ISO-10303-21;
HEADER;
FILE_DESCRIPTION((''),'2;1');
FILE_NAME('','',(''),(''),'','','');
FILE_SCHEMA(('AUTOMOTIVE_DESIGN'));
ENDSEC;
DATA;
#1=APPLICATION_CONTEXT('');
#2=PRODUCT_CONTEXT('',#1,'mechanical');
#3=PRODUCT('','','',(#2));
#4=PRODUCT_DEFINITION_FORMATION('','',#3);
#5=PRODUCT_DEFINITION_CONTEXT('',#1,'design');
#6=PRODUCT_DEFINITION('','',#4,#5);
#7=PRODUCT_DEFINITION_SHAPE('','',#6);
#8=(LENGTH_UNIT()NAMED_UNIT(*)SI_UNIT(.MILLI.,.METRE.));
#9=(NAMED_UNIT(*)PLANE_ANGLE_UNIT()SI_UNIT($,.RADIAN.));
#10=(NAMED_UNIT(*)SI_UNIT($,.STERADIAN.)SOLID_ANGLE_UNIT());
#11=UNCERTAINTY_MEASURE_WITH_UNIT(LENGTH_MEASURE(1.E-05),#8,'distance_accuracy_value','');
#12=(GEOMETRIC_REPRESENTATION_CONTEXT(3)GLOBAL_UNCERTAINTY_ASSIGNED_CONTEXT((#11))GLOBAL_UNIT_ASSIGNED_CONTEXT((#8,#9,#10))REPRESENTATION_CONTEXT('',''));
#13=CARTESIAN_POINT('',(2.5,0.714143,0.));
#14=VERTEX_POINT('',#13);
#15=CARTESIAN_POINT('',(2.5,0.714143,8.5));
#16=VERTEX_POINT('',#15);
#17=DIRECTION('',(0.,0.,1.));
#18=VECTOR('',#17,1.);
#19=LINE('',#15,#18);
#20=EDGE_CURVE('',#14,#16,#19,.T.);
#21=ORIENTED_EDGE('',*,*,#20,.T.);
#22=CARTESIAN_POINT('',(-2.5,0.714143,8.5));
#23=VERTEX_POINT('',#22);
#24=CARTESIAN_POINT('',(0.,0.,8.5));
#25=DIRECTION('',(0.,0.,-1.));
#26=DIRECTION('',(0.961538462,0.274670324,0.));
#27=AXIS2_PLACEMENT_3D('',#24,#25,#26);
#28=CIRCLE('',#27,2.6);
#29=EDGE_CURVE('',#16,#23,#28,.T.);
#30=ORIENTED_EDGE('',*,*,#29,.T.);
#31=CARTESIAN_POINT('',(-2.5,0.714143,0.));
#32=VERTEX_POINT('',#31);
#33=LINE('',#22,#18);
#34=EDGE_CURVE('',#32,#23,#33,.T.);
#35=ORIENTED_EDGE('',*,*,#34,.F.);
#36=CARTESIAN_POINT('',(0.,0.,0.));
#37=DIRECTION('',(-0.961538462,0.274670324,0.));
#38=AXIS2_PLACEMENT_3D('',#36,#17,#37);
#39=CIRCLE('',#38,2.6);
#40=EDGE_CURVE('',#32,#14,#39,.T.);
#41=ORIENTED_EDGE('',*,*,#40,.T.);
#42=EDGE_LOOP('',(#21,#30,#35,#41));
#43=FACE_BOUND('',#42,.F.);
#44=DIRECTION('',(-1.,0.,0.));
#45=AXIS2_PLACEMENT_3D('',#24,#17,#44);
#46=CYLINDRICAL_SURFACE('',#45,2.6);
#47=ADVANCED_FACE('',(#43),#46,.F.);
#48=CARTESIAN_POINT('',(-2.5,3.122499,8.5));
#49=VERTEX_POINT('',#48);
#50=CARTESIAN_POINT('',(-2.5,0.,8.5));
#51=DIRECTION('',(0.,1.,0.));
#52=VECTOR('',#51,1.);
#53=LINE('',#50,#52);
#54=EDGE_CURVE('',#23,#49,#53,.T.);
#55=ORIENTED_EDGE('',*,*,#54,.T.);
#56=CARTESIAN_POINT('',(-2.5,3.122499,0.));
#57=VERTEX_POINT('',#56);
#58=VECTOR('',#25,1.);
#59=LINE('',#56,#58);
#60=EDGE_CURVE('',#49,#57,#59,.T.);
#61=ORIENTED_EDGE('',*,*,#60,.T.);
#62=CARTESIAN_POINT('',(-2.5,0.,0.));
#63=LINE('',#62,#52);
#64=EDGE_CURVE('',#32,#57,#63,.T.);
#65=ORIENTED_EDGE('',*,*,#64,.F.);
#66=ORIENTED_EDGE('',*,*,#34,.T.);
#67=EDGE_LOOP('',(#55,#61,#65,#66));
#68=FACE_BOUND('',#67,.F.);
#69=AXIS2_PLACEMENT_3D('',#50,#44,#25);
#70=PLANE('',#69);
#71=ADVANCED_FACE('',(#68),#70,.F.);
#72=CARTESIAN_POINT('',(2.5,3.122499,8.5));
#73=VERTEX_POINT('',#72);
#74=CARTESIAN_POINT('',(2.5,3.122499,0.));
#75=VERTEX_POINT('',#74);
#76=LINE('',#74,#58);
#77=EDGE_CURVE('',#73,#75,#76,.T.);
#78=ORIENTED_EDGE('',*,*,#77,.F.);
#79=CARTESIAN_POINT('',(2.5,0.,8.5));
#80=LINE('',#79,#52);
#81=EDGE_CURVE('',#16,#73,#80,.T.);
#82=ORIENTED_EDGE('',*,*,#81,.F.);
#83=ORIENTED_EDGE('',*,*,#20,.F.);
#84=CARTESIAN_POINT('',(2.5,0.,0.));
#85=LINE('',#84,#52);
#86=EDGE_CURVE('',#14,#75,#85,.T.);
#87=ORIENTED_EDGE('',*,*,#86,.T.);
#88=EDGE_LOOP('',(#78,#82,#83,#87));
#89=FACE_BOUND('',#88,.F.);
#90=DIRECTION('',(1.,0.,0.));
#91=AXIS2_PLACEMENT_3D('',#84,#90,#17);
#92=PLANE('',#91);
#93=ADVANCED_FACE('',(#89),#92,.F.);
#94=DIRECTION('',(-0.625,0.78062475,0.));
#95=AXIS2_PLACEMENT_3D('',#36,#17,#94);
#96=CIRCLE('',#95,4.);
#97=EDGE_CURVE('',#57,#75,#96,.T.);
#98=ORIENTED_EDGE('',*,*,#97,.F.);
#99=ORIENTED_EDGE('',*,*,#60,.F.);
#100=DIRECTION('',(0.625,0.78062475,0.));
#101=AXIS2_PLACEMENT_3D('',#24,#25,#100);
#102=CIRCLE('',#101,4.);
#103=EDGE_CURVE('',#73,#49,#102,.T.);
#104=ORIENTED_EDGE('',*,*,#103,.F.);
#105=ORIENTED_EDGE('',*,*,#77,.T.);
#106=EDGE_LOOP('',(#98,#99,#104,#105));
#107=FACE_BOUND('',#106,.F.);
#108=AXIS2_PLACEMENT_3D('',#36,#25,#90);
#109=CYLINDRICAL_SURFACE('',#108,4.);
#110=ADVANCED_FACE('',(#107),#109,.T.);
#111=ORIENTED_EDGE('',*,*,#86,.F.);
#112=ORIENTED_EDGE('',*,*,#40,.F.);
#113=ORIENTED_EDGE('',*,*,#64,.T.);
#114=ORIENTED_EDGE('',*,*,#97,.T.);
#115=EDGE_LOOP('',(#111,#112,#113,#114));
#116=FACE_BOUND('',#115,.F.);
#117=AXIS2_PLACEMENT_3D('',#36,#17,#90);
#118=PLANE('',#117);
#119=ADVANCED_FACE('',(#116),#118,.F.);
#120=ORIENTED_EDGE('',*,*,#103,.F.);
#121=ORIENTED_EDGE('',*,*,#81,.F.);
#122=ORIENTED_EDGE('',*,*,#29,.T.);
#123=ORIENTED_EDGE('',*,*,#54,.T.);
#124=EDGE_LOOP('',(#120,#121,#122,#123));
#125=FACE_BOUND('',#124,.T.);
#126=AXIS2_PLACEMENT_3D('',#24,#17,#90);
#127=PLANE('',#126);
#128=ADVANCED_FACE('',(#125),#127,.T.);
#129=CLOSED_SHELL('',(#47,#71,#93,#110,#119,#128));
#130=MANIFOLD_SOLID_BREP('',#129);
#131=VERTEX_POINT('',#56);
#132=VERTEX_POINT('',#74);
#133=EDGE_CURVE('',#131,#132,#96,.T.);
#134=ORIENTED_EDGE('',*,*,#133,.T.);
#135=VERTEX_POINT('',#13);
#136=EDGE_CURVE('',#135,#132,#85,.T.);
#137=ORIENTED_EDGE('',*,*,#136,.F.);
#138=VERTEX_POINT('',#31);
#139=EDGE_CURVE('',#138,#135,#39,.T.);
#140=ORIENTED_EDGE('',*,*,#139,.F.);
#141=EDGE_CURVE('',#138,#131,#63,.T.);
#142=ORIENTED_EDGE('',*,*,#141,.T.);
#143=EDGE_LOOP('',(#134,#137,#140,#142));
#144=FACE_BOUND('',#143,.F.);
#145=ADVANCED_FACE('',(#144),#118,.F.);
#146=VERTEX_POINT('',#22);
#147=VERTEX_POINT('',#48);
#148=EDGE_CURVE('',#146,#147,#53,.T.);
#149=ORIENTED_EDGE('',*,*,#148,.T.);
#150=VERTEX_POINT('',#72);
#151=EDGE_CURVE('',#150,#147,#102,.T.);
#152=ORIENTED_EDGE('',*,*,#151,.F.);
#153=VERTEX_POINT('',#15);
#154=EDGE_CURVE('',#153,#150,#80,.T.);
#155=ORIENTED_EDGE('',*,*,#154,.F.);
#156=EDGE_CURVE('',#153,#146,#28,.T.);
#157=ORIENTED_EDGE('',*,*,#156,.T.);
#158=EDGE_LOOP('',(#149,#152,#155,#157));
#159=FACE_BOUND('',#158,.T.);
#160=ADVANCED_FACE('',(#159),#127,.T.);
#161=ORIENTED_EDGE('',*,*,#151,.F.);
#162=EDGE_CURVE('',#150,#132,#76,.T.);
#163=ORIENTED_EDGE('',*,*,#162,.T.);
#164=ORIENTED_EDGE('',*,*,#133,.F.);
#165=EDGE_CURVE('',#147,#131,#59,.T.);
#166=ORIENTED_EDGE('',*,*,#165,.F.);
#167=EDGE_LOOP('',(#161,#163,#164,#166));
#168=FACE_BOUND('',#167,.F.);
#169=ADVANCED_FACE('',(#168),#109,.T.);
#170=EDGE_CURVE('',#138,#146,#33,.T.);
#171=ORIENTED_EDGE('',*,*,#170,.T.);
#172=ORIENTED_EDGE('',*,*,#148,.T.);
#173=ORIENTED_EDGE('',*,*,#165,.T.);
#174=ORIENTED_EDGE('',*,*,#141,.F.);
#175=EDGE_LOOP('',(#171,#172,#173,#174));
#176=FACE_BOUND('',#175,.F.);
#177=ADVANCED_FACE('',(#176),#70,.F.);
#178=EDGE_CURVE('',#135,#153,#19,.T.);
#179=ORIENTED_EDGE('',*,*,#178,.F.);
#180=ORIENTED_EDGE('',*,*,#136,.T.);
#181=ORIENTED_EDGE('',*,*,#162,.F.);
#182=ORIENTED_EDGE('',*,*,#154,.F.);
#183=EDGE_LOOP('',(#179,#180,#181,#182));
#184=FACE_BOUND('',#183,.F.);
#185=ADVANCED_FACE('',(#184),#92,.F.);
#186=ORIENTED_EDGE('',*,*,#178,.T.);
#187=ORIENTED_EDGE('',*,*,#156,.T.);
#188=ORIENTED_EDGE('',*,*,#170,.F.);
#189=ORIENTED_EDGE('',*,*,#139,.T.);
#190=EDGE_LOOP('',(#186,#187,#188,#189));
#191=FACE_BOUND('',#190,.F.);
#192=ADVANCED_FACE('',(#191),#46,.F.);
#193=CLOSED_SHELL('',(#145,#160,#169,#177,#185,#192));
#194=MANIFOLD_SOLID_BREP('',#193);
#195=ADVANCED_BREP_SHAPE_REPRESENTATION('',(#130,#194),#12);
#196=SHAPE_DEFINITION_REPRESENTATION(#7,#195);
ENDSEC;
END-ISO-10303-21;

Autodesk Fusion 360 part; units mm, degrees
sketch "Sketch1" plane through (0, 0, 0) normal (0, 0, 1) x (1, 0, 0)
  circle A0 centre (0, 0) radius 4
  dimension "d7" = 8
extrude "Extrude2" add sketch "Sketch1" along normal blind 8.5 makes body 1
extrude "Extrude1" add sketch "Sketch1" along normal blind 8.5 separate body makes body 2
sketch "Sketch2" plane through (0, 0, 8.5) normal (0, 0, 1) x (-1, 0, 0)
  circle A0 centre (0, 0) radius 4
  circle A1 centre (0, 0) radius 2.6
  dimension "d12" = 5.2
extrude "Extrude3" cut sketch "Sketch2" against normal blind 108.5 contours A1 bodies 1 2
sketch "Sketch3" plane through (0, 0, 0) normal (0, 1, 0) x (1, 0, 0)
  line L0 (-2.5, 0) -> (2.5, 0)
  line L1 (2.5, 0) -> (2.5, -8.5)
  line L2 (2.5, -8.5) -> (-2.5, -8.5)
  line L3 (-2.5, -8.5) -> (-2.5, 0)
  dimension "d15" = 5
  dimension "d16" = 8.5
extrude "Extrude4" cut sketch "Sketch3" along normal blind 102.6 bodies 1 2
equation "outer_radius = 4 mm"
equation "shaft_hole_radius = 2.6 mm"
equation "screw_hole_length = length"
equation "length = 8.5 mm"
equation "extra = 100 mm"
equation "screw_hole_width = 5 mm"
equation "d7 = outer_radius * 2"
equation "d8 = length"
equation "d10 = length"
equation "d12 = shaft_hole_radius * 2"
equation "d13 = -( length + extra )"
equation "d15 = screw_hole_width"
equation "d16 = screw_hole_length"
equation "d17 = shaft_hole_radius + extra"
